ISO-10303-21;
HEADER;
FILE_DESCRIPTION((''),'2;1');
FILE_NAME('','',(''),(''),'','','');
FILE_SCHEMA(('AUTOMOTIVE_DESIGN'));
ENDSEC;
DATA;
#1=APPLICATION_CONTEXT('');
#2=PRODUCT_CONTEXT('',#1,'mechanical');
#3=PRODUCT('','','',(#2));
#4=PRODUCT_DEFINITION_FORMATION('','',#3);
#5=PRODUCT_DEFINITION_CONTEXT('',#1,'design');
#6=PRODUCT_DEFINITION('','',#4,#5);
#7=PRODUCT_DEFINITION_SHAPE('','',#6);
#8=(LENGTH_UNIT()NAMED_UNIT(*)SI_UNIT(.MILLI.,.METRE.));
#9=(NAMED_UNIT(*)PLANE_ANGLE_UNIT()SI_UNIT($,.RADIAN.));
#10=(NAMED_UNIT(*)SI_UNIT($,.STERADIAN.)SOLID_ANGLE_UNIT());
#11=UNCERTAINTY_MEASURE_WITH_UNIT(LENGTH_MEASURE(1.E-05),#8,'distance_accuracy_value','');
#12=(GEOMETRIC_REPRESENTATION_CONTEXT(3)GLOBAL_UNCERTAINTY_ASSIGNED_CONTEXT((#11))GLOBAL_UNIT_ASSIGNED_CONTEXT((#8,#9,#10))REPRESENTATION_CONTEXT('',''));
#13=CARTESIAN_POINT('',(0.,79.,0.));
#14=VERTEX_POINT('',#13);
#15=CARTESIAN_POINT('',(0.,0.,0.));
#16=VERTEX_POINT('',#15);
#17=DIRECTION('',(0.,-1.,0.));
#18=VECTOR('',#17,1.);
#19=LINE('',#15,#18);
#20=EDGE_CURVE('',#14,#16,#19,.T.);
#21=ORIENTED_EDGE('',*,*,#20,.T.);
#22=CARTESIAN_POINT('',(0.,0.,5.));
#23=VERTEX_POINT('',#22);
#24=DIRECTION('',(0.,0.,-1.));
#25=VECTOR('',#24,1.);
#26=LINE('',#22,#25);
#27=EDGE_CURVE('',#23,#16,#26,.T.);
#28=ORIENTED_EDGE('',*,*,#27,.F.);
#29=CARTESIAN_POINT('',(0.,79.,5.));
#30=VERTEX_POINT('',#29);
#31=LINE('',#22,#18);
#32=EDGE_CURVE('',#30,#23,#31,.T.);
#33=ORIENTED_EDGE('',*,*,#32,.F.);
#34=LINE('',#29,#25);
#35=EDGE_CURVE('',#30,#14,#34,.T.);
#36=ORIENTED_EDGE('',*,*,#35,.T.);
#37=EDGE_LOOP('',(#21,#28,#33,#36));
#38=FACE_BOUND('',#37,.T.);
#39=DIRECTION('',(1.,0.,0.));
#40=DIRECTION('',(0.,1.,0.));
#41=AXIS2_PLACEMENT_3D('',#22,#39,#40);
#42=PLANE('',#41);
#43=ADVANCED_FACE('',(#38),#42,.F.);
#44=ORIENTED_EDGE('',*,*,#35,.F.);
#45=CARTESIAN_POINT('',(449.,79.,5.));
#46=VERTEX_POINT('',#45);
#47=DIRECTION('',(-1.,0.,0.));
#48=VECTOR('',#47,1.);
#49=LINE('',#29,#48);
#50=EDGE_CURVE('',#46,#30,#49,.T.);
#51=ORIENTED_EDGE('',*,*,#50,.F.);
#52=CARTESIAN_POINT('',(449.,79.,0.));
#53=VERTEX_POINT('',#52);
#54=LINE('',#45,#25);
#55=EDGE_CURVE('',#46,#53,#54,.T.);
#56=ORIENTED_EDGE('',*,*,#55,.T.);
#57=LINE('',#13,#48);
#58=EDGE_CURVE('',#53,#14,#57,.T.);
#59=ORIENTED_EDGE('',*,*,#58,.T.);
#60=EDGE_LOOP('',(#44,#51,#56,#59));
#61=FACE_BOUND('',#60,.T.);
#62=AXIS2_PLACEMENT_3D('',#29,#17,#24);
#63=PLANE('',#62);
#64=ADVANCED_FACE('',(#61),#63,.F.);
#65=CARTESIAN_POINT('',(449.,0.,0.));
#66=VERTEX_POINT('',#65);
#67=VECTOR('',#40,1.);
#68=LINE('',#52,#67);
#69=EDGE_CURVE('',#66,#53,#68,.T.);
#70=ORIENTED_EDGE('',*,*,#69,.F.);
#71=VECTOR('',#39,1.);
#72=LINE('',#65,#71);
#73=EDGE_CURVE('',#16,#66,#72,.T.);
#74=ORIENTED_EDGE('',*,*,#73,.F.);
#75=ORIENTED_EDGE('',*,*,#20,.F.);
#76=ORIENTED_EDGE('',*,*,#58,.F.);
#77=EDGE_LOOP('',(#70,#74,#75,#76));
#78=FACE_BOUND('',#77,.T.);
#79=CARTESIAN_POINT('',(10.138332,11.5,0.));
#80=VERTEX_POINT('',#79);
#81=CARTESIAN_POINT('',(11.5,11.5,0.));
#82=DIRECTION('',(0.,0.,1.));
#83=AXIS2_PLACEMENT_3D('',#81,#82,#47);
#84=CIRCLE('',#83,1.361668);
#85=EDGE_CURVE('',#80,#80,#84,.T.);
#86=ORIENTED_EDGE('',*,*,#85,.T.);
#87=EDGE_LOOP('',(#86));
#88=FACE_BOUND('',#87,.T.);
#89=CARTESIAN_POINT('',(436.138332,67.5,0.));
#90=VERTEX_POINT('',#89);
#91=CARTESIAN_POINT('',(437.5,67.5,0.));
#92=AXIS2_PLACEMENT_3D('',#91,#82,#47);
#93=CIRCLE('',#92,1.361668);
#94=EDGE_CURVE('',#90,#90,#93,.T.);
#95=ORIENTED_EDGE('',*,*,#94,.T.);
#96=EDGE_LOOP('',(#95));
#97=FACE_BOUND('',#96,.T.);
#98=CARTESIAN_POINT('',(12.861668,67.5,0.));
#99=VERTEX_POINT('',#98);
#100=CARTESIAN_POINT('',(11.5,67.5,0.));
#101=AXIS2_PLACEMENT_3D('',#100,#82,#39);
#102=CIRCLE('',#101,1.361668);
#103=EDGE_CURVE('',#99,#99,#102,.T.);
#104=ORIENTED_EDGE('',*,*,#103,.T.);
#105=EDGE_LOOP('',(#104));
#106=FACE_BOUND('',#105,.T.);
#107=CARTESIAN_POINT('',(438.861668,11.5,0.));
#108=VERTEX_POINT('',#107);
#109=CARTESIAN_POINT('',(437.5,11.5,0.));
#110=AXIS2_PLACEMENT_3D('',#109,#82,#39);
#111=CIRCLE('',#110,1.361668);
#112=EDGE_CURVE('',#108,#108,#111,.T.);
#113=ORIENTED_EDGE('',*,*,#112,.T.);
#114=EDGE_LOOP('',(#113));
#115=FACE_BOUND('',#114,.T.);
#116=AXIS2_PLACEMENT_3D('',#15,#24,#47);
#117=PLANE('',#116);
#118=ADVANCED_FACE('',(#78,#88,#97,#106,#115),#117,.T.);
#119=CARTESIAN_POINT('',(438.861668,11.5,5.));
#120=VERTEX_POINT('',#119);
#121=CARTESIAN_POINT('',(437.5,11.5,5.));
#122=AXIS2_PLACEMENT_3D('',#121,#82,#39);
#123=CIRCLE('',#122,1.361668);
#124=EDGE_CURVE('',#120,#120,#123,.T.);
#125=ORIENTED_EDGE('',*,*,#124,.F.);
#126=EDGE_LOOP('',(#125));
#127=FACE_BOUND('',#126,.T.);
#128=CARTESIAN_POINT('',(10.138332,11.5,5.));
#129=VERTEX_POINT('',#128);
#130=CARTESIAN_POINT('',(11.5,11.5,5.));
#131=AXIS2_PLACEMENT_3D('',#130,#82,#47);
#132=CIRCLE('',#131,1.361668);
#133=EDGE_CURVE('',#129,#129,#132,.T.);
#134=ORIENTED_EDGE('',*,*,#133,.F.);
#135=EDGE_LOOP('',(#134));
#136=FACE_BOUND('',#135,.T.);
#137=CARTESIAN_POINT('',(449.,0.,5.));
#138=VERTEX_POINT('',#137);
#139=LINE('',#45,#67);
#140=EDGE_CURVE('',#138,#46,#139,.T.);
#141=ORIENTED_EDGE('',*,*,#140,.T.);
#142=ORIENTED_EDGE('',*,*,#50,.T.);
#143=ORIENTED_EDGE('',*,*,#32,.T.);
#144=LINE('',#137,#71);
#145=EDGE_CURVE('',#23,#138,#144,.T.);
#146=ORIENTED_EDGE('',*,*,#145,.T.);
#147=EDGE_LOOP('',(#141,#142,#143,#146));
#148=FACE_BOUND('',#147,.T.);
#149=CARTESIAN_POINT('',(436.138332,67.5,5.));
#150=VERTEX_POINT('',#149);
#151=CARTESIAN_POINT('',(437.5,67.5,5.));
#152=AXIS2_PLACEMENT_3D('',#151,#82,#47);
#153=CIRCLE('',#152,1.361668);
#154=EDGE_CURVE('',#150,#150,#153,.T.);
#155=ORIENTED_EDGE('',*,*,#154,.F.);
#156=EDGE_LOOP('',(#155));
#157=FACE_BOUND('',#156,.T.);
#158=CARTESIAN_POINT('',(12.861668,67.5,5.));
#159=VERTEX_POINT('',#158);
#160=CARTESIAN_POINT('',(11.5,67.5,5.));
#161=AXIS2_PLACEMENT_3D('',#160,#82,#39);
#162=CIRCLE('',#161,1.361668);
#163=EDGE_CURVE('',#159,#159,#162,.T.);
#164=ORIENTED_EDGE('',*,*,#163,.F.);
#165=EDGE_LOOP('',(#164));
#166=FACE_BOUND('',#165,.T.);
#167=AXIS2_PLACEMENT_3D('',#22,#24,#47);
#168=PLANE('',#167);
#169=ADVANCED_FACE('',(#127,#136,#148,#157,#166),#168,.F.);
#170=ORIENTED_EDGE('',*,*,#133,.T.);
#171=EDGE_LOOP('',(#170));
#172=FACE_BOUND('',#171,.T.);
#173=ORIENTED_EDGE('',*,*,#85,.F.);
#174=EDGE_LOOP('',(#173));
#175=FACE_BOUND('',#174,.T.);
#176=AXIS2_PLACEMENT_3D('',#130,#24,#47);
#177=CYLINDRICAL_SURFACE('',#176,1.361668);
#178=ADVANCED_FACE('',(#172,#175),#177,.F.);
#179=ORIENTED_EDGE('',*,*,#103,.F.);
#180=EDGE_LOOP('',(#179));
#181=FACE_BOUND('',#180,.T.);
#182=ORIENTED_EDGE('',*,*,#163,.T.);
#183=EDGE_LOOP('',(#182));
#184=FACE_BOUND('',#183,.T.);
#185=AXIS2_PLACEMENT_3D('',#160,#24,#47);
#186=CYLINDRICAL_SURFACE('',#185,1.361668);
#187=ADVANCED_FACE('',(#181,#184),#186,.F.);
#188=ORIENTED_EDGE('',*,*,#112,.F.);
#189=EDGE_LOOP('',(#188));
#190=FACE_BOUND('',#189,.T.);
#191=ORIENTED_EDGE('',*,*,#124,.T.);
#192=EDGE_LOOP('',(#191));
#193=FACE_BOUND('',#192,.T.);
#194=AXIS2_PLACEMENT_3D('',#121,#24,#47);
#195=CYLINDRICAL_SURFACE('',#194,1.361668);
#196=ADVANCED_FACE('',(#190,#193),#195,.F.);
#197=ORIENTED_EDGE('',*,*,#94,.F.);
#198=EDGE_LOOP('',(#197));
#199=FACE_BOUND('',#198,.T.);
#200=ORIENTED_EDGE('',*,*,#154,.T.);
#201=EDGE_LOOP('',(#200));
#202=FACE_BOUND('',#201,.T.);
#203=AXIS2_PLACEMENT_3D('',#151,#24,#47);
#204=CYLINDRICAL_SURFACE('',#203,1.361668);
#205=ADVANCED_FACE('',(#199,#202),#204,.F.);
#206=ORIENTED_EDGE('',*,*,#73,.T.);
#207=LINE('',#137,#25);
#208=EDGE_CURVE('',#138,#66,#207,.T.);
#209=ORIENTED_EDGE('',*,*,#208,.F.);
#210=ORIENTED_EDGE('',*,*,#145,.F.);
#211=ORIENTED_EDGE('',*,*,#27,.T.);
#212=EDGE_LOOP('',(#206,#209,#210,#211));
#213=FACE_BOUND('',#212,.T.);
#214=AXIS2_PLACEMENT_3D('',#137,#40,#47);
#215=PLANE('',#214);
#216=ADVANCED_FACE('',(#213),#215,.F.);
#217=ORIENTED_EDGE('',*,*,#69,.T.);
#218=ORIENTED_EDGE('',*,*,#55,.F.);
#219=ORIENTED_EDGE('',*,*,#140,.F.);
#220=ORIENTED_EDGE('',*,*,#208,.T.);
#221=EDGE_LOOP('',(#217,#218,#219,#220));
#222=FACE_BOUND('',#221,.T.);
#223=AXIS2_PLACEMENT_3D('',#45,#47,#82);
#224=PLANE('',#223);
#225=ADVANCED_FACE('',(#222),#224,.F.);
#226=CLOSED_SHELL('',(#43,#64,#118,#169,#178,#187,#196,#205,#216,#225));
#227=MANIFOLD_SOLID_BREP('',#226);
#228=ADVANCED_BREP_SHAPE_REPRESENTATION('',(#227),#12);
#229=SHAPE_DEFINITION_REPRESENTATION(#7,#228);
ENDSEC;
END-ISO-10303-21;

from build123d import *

# Parameters (mm, degrees)
SKETCH_F_W                   = 449
SKETCH_F_H                   = 79
SKETCH_F_R                   = 1.361667817
ESTRUSIONE_ESTRUSIONE1_DEPTH = 5


with BuildPart() as part:
    # Sketch f → Estrusione-Estrusione1 (new body)
    with BuildSketch(Plane.XY):
        with Locations((224.5, 39.5)):
            Rectangle(SKETCH_F_W, SKETCH_F_H)
        with Locations((11.5, 67.5)):
            Circle(SKETCH_F_R, mode=Mode.SUBTRACT)
        with Locations(Location((437.5, 67.5, 0), (0, 0, 180))):
            Circle(SKETCH_F_R, mode=Mode.SUBTRACT)
        with Locations(Location((11.5, 11.5, 0), (0, 0, 180))):
            Circle(SKETCH_F_R, mode=Mode.SUBTRACT)
        with Locations((437.5, 11.5)):
            Circle(SKETCH_F_R, mode=Mode.SUBTRACT)
    extrude(amount=ESTRUSIONE_ESTRUSIONE1_DEPTH)


solid = part.part
